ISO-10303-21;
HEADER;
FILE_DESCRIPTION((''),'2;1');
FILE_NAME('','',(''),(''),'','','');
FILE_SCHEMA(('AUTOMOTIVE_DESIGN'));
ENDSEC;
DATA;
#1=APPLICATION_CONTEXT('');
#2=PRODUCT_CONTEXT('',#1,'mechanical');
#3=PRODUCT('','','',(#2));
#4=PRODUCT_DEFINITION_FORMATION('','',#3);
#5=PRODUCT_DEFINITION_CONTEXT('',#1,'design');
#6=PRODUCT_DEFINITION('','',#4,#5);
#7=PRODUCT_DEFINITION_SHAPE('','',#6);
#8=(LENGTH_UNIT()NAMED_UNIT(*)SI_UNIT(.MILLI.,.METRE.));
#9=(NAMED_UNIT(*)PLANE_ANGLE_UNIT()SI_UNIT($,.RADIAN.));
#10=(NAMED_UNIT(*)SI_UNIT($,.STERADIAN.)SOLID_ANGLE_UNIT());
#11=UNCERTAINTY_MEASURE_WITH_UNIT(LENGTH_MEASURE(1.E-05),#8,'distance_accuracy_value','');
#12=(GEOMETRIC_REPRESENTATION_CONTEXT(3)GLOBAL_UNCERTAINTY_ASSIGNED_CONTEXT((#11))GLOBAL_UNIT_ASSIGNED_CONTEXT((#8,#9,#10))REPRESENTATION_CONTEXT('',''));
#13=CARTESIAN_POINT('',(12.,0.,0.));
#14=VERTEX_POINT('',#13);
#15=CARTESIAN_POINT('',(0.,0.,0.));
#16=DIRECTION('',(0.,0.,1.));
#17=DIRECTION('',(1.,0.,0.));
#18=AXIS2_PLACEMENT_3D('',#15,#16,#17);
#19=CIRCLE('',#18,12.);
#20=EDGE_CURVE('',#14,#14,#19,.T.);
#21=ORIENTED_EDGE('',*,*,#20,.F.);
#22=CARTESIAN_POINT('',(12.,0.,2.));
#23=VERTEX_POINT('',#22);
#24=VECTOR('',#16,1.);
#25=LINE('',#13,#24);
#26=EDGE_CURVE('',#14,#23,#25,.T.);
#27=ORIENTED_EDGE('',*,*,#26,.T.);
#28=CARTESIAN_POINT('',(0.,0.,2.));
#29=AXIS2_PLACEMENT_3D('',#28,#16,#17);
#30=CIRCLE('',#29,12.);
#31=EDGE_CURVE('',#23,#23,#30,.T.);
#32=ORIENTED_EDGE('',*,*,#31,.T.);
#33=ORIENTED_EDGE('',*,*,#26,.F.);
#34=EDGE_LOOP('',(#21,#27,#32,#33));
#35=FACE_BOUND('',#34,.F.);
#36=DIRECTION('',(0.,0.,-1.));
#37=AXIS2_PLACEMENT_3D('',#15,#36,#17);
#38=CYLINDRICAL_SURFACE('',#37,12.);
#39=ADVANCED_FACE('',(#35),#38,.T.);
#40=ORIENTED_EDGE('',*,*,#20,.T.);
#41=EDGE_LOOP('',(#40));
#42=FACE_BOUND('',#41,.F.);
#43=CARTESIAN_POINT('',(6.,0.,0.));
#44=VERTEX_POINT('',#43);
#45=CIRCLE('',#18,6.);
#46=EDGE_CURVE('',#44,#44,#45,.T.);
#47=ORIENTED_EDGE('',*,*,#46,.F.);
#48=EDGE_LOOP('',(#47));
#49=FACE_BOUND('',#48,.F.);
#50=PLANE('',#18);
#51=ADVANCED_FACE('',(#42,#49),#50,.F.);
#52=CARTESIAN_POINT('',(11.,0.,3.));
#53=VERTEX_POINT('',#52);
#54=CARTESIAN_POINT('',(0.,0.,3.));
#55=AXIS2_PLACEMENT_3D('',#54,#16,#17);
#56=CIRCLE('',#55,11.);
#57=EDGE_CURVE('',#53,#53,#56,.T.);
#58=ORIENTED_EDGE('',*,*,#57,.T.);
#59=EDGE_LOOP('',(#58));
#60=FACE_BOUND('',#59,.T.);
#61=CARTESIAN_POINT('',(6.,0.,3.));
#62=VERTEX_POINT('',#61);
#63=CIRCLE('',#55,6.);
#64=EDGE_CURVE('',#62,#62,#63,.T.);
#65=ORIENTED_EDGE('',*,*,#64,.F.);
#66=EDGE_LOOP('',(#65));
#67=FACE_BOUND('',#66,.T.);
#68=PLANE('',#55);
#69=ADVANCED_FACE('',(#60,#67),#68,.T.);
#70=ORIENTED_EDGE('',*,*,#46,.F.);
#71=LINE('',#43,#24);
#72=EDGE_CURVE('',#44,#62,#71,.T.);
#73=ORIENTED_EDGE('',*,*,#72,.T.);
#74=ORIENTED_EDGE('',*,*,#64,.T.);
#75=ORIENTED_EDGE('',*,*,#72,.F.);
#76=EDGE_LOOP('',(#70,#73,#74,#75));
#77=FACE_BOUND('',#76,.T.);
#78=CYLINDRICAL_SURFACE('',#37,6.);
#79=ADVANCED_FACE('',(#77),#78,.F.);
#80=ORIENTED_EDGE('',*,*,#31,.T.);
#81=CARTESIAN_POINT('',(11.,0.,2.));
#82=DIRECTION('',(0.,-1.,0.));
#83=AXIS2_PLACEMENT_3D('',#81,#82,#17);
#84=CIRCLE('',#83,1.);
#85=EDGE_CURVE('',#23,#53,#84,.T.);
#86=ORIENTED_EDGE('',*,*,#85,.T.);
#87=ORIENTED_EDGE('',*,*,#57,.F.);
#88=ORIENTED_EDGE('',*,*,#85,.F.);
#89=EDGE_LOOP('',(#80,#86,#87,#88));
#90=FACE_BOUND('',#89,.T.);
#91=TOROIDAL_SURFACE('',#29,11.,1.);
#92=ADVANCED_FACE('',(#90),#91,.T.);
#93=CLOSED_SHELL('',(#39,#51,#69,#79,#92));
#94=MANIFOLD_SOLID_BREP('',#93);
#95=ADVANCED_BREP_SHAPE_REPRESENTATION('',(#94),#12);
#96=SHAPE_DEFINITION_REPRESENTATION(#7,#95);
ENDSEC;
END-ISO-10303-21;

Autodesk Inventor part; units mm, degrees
ref_plane "YZ Plane" through (0, 0, 0) normal (1, 0, 0) x (0, 1, 0)
ref_plane "XZ Plane" through (0, 0, 0) normal (0, 1, 0) x (-1, 0, 0)
ref_plane "XY Plane" through (0, 0, 0) normal (0, 0, 1) x (1, 0, 0)
sketch "Sketch1" plane through (0, 0, 0) normal (0, 0, 1) x (1, 0, 0)
  circle A0 centre (0, 0) radius 12
  circle A1 centre (0, 0) radius 6
  dimension "d0" = 24
  dimension "d1" = 12
extrude "Extrusion1" add sketch "Sketch1" along normal blind 3
fillet "Fillet1" radius 1 1 edges at (-12, 0, 3)
properties material "Stainless Steel"
